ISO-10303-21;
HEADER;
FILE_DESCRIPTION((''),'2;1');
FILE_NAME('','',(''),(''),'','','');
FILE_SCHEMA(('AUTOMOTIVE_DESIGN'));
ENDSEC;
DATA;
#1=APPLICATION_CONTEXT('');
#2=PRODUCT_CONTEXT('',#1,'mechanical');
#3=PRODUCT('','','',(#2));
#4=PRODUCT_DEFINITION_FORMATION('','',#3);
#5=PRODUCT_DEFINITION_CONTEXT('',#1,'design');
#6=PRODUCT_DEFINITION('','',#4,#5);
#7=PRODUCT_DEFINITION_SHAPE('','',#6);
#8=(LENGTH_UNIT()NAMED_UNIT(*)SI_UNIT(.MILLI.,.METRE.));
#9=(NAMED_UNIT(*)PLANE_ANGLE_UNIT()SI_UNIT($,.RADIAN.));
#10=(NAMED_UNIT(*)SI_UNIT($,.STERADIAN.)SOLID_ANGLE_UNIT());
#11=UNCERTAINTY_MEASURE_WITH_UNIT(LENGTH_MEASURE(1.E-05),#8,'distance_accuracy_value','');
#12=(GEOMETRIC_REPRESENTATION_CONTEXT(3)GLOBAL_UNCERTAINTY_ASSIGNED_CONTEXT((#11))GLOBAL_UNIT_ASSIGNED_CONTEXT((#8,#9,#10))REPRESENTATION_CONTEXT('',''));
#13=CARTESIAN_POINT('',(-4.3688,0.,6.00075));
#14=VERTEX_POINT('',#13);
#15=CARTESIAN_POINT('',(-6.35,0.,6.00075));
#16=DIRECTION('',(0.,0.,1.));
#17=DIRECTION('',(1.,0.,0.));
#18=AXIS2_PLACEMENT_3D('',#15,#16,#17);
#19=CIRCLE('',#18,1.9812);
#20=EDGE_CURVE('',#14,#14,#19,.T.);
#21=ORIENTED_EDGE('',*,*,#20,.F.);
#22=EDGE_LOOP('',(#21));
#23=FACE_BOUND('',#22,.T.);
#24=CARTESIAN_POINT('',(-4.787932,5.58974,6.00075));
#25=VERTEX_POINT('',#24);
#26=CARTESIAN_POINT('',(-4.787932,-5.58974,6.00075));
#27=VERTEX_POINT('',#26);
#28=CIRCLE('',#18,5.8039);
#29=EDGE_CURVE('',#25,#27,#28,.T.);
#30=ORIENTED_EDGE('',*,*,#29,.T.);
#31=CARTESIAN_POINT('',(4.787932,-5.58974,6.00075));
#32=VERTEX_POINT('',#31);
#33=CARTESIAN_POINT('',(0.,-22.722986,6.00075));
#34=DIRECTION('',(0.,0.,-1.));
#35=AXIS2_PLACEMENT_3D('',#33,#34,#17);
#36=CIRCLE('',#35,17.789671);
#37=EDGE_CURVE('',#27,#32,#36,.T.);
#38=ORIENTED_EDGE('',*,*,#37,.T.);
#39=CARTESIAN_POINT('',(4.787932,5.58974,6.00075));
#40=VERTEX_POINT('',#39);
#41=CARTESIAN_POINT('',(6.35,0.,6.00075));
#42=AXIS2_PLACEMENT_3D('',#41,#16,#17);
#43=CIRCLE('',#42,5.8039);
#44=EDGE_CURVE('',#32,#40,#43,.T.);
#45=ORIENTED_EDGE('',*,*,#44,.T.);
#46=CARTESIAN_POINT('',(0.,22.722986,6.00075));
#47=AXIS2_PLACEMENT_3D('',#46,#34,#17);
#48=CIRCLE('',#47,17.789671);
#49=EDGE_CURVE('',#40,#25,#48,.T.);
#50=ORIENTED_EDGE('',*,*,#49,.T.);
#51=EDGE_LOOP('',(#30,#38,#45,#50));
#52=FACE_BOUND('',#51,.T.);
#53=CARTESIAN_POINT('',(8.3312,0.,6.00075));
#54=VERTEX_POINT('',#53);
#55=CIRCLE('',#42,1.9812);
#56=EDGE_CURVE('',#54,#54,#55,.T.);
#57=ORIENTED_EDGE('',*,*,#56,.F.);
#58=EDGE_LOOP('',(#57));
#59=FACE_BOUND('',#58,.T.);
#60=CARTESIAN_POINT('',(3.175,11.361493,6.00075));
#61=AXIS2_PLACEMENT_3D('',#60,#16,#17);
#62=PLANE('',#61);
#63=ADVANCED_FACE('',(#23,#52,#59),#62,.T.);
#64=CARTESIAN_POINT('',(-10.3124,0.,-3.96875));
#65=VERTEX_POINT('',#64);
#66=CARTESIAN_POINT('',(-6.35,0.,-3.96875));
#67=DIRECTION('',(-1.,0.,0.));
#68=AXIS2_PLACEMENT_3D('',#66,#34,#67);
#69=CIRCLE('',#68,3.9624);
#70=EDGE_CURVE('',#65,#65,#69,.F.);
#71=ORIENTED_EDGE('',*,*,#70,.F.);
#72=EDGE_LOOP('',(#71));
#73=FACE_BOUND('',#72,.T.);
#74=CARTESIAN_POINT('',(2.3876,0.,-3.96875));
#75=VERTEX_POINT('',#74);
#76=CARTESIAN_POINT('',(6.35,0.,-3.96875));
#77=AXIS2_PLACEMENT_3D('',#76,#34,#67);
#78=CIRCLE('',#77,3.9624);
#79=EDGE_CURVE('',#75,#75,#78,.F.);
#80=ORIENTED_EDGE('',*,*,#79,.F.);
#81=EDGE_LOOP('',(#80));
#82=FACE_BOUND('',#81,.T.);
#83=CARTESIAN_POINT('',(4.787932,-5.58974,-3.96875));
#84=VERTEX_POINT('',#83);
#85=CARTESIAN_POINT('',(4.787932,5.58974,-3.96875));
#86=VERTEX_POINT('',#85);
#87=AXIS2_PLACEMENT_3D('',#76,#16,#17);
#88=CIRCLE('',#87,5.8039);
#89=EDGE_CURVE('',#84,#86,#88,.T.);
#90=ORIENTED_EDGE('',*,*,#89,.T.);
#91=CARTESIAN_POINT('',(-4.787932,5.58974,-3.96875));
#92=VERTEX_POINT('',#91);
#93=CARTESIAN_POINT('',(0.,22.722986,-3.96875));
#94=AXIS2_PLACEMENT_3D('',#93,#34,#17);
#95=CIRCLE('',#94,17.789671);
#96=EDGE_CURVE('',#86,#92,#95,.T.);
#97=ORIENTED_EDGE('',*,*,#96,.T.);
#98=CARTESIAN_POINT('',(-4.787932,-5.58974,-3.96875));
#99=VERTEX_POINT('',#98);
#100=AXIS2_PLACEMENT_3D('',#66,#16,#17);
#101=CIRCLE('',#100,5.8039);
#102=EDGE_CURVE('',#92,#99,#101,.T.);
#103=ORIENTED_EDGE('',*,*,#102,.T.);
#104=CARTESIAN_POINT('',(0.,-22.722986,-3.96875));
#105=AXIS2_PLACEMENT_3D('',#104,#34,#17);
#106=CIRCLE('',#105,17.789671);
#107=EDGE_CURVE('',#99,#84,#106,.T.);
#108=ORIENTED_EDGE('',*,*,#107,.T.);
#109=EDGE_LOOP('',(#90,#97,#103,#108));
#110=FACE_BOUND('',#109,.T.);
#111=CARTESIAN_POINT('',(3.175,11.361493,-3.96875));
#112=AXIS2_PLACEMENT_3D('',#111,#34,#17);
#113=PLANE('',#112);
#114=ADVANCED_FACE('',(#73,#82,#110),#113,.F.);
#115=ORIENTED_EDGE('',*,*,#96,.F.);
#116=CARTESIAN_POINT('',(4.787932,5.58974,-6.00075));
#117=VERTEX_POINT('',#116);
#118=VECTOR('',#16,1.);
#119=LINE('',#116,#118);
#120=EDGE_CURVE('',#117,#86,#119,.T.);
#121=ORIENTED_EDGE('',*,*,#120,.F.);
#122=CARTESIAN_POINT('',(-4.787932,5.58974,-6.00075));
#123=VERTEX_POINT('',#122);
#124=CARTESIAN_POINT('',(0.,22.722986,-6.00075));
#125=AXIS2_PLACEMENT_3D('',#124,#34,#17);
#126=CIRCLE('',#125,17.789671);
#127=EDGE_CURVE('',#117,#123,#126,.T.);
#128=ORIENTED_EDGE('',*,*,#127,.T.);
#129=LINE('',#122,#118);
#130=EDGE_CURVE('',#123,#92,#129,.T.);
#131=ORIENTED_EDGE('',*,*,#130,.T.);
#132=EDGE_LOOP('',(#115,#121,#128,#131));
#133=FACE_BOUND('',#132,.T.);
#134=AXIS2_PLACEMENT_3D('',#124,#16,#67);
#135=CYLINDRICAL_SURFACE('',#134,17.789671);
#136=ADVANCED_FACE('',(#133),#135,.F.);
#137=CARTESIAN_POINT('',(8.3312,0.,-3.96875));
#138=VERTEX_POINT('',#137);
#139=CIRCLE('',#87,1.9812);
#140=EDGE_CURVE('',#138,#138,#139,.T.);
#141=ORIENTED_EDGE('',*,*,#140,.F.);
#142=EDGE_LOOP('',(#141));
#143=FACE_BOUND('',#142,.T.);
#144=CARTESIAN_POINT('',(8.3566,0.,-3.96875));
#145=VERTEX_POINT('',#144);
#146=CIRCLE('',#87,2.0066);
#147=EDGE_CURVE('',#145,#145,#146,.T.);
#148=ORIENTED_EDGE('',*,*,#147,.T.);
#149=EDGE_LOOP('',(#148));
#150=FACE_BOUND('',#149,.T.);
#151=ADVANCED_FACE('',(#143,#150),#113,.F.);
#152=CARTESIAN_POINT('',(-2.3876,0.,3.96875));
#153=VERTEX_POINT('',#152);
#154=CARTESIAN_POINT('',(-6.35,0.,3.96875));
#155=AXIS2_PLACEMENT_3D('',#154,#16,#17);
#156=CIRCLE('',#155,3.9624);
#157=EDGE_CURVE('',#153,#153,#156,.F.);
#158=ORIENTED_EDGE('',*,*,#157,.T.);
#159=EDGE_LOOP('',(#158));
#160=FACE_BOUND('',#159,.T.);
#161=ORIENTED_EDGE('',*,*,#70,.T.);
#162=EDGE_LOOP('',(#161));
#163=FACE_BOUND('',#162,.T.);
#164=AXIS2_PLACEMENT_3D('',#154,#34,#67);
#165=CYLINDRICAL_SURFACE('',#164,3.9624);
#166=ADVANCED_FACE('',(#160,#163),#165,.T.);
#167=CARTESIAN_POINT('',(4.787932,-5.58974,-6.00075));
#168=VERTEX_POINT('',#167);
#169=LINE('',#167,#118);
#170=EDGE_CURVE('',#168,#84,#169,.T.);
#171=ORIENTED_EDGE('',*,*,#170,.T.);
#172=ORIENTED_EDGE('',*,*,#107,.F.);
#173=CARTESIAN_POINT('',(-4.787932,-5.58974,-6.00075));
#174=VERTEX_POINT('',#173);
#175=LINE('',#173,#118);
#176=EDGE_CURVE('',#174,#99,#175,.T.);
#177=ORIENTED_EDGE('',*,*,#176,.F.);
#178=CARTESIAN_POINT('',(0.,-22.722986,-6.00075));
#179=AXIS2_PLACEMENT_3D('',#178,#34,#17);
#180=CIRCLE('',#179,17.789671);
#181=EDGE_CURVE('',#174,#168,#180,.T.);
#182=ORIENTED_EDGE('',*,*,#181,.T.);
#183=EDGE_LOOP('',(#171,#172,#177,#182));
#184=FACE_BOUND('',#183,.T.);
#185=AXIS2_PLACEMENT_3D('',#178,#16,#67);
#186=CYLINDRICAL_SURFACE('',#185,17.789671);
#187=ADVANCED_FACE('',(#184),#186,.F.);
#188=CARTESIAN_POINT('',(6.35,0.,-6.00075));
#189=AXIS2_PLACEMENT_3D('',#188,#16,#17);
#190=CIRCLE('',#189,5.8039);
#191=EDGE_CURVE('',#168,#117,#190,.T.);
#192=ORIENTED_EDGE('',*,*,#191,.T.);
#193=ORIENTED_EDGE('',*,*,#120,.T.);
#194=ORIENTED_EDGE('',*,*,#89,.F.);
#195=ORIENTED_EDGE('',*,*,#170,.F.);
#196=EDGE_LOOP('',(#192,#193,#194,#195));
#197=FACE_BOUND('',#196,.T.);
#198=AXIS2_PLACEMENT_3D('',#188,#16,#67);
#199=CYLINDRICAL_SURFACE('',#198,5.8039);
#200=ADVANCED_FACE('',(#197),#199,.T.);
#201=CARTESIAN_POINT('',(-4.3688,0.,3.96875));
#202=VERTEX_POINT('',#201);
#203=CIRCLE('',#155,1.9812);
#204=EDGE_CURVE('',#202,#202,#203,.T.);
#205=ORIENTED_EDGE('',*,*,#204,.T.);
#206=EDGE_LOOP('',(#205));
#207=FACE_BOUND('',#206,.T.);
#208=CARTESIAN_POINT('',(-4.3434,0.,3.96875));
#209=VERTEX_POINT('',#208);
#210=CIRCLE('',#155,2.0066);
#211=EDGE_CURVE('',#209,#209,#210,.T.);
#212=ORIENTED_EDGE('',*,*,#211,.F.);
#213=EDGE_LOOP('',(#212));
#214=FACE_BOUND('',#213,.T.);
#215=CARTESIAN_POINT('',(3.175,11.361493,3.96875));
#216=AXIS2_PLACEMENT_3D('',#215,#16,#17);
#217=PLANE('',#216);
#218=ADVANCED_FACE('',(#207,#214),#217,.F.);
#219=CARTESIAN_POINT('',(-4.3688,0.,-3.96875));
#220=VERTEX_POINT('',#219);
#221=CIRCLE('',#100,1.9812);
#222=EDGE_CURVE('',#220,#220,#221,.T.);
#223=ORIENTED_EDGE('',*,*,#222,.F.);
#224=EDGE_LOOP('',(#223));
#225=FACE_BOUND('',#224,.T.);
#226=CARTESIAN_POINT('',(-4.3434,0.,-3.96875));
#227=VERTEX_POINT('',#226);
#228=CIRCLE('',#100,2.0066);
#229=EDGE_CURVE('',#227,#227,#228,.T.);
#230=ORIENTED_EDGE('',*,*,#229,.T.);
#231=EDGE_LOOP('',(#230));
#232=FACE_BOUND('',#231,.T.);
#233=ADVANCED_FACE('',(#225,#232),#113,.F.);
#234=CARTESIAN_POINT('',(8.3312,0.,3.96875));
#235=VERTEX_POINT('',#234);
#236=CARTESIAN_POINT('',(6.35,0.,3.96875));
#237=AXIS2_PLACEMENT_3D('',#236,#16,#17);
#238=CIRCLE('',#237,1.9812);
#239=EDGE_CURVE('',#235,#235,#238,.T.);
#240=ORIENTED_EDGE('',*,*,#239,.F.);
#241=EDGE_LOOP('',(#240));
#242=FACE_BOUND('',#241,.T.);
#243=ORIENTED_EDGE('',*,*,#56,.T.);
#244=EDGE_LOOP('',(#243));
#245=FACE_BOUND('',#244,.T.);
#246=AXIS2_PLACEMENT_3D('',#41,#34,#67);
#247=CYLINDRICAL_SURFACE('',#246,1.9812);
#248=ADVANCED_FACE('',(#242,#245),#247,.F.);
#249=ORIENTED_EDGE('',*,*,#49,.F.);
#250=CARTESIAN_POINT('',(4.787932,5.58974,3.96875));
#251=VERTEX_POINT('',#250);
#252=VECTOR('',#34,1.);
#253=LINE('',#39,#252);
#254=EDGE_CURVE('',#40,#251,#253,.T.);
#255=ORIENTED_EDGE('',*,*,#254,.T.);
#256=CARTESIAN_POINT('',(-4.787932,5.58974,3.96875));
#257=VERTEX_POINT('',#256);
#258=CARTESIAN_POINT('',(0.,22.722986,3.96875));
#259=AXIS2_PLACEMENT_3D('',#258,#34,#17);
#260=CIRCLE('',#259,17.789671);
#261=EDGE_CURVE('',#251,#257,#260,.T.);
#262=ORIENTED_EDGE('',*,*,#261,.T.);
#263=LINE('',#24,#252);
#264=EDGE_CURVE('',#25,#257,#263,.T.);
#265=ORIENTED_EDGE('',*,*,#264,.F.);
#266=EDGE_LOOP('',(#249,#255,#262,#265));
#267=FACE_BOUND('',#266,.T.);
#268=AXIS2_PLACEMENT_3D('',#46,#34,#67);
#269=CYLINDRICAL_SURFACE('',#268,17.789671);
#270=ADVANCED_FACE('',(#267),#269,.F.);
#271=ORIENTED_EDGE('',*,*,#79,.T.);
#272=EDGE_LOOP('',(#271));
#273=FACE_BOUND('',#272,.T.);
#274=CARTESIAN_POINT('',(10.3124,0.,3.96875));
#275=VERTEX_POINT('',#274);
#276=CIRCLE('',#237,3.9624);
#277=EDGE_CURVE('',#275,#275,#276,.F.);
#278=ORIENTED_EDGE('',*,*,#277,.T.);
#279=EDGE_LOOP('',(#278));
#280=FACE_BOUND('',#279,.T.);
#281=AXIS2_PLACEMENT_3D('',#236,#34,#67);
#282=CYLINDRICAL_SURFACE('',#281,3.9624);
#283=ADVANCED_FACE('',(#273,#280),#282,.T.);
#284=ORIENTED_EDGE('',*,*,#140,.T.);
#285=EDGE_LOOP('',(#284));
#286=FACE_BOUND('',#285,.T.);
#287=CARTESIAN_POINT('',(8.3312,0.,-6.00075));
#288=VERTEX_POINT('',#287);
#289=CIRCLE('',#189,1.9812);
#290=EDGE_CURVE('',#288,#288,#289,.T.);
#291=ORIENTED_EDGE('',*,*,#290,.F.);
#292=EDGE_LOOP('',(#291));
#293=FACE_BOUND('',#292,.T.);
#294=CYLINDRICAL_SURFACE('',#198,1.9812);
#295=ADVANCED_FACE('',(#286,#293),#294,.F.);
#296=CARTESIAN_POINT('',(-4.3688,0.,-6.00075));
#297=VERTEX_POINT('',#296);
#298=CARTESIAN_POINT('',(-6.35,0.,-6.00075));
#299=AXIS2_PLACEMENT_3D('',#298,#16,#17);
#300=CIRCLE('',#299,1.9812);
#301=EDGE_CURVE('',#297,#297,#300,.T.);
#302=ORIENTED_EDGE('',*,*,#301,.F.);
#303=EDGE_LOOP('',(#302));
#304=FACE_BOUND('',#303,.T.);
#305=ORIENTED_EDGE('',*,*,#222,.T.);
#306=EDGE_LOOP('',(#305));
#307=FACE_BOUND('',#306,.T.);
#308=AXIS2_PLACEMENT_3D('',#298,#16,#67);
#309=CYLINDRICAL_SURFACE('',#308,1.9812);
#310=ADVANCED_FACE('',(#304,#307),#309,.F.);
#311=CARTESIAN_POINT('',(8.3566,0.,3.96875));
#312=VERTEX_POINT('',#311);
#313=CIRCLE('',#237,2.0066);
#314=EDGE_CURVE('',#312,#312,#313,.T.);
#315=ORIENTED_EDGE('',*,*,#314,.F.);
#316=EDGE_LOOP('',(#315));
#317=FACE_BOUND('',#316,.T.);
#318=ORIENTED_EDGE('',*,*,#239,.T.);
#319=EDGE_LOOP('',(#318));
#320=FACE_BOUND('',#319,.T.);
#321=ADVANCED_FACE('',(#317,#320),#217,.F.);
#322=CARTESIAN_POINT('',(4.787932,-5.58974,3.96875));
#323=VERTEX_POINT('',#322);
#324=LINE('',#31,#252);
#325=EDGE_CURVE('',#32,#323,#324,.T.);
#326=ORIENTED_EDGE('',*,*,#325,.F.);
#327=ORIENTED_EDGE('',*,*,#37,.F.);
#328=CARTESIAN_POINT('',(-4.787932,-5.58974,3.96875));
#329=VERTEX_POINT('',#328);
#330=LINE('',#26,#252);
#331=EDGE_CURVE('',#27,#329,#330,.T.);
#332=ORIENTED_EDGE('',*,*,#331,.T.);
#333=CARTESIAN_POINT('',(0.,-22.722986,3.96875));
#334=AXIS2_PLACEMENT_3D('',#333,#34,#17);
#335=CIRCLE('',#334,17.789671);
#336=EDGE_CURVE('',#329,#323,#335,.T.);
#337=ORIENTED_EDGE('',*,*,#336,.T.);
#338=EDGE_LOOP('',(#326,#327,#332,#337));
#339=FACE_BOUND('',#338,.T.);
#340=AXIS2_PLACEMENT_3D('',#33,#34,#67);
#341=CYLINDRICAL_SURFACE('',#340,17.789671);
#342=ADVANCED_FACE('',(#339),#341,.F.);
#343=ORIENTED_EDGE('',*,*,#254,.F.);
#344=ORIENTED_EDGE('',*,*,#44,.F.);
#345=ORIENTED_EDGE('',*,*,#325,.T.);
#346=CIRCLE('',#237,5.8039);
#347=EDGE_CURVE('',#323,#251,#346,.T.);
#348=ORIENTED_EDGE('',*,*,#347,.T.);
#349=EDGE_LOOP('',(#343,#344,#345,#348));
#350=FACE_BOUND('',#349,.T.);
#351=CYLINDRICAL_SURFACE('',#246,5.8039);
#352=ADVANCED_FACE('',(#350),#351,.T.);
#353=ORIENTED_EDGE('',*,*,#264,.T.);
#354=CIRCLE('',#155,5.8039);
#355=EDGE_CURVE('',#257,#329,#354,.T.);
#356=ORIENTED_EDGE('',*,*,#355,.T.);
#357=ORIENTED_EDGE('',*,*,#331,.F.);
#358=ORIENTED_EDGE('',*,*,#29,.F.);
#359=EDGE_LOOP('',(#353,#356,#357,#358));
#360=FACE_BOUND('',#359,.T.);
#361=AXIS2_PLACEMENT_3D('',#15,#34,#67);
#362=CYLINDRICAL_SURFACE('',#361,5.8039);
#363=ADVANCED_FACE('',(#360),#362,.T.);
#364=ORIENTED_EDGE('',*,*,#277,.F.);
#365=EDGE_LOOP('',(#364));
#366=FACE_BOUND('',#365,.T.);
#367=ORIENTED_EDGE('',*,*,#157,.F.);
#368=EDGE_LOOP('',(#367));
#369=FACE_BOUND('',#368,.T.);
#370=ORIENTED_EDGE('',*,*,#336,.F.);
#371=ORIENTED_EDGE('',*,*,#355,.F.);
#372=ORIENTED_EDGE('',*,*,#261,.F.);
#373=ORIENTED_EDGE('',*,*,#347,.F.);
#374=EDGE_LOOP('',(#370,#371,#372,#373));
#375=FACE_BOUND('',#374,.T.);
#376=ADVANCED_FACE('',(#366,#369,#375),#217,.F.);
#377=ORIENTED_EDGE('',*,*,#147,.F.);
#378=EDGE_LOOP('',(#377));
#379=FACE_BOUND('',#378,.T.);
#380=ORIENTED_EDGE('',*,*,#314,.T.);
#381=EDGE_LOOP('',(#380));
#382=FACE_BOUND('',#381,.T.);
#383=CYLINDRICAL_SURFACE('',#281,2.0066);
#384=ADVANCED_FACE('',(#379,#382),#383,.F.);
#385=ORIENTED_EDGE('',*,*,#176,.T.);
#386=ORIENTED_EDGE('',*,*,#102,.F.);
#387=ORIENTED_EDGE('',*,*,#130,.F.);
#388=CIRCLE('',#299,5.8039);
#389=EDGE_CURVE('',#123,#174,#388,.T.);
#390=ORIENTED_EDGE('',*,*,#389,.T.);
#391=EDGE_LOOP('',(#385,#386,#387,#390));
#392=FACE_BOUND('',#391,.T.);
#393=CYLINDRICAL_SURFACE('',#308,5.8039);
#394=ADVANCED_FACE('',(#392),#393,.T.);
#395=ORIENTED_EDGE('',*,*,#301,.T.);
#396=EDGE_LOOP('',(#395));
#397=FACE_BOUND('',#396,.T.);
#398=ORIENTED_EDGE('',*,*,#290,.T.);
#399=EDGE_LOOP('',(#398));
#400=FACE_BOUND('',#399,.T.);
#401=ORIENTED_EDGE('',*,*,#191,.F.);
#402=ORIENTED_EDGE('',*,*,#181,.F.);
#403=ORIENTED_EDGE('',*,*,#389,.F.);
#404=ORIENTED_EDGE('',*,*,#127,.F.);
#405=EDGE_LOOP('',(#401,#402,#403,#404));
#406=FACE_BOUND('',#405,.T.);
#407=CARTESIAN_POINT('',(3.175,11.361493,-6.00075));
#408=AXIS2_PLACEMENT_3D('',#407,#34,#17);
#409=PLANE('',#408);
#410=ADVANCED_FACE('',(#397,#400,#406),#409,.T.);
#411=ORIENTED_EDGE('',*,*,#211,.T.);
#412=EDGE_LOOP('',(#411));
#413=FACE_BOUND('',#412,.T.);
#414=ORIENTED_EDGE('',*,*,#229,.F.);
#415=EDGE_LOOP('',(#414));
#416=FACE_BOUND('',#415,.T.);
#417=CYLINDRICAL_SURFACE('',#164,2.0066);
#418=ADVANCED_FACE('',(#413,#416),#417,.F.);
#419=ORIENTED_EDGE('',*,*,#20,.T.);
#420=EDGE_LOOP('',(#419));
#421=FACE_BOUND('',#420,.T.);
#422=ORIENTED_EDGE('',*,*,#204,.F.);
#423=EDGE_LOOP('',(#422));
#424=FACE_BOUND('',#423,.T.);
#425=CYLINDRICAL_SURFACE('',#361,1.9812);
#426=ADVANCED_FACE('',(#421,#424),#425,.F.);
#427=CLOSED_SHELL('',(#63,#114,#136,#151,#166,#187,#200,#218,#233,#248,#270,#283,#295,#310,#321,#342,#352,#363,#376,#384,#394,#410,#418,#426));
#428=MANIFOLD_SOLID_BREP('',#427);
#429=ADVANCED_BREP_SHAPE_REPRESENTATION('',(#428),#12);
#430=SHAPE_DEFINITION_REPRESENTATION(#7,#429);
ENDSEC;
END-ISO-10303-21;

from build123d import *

# Parameters (mm, degrees)
SKETCH4_R             = 3.9624
SKETCH4_R_2           = 2.0066
BOSS_EXTRUDE1_DEPTH   = 3.96875
BOSS_EXTRUDE1_2_DEPTH = 3.96875
SKETCH5_R             = 1.9812
BOSS_EXTRUDE2_DEPTH   = 2.032


with BuildPart() as part:
    # Sketch4 → Boss-Extrude1 (new, symmetric)
    with BuildSketch(Plane.XY):
        with Locations((-6.35, 0)):
            Circle(SKETCH4_R)
        with Locations((-6.35, 0)):
            Circle(SKETCH4_R_2, mode=Mode.SUBTRACT)
    extrude(amount=BOSS_EXTRUDE1_DEPTH, both=True)


with BuildPart() as body_2:
    # Sketch4 → Boss-Extrude1 2 (new, symmetric)
    with BuildSketch(Plane.XY):
        with Locations((6.35, 0)):
            Circle(SKETCH4_R)
        with Locations((6.35, 0)):
            Circle(SKETCH4_R_2, mode=Mode.SUBTRACT)
    extrude(amount=BOSS_EXTRUDE1_2_DEPTH, both=True)


with BuildPart() as body_3:
    # Sketch5 → Boss-Extrude2 (new body)
    with BuildSketch(Plane.XY.offset(3.96875)):
        with BuildLine():
            ThreePointArc((-4.787931893, 5.589740462), (-12.1539, 0), (-4.787931893, -5.589740462))
            ThreePointArc((-4.787931893, -5.589740462), (0, -4.933315), (4.787931893, -5.589740462))
            ThreePointArc((4.787931893, -5.589740462), (12.1539, 0), (4.787931893, 5.589740462))
            ThreePointArc((4.787931893, 5.589740462), (0, 4.933315), (-4.787931893, 5.589740462))
        make_face()
        with Locations((-6.35, 0)):
            Circle(SKETCH5_R, mode=Mode.SUBTRACT)
        with Locations((6.35, 0)):
            Circle(SKETCH5_R, mode=Mode.SUBTRACT)
    extrude(amount=BOSS_EXTRUDE2_DEPTH)


with BuildPart() as body_4:
    # Mirror3: mirrored copy
    add(body_3.part.mirror(Plane.XY))

    # Combine2: union body 3, body 2, part
    add(body_3.part)
    add(body_2.part)
    add(part.part)


solid = body_4.part
